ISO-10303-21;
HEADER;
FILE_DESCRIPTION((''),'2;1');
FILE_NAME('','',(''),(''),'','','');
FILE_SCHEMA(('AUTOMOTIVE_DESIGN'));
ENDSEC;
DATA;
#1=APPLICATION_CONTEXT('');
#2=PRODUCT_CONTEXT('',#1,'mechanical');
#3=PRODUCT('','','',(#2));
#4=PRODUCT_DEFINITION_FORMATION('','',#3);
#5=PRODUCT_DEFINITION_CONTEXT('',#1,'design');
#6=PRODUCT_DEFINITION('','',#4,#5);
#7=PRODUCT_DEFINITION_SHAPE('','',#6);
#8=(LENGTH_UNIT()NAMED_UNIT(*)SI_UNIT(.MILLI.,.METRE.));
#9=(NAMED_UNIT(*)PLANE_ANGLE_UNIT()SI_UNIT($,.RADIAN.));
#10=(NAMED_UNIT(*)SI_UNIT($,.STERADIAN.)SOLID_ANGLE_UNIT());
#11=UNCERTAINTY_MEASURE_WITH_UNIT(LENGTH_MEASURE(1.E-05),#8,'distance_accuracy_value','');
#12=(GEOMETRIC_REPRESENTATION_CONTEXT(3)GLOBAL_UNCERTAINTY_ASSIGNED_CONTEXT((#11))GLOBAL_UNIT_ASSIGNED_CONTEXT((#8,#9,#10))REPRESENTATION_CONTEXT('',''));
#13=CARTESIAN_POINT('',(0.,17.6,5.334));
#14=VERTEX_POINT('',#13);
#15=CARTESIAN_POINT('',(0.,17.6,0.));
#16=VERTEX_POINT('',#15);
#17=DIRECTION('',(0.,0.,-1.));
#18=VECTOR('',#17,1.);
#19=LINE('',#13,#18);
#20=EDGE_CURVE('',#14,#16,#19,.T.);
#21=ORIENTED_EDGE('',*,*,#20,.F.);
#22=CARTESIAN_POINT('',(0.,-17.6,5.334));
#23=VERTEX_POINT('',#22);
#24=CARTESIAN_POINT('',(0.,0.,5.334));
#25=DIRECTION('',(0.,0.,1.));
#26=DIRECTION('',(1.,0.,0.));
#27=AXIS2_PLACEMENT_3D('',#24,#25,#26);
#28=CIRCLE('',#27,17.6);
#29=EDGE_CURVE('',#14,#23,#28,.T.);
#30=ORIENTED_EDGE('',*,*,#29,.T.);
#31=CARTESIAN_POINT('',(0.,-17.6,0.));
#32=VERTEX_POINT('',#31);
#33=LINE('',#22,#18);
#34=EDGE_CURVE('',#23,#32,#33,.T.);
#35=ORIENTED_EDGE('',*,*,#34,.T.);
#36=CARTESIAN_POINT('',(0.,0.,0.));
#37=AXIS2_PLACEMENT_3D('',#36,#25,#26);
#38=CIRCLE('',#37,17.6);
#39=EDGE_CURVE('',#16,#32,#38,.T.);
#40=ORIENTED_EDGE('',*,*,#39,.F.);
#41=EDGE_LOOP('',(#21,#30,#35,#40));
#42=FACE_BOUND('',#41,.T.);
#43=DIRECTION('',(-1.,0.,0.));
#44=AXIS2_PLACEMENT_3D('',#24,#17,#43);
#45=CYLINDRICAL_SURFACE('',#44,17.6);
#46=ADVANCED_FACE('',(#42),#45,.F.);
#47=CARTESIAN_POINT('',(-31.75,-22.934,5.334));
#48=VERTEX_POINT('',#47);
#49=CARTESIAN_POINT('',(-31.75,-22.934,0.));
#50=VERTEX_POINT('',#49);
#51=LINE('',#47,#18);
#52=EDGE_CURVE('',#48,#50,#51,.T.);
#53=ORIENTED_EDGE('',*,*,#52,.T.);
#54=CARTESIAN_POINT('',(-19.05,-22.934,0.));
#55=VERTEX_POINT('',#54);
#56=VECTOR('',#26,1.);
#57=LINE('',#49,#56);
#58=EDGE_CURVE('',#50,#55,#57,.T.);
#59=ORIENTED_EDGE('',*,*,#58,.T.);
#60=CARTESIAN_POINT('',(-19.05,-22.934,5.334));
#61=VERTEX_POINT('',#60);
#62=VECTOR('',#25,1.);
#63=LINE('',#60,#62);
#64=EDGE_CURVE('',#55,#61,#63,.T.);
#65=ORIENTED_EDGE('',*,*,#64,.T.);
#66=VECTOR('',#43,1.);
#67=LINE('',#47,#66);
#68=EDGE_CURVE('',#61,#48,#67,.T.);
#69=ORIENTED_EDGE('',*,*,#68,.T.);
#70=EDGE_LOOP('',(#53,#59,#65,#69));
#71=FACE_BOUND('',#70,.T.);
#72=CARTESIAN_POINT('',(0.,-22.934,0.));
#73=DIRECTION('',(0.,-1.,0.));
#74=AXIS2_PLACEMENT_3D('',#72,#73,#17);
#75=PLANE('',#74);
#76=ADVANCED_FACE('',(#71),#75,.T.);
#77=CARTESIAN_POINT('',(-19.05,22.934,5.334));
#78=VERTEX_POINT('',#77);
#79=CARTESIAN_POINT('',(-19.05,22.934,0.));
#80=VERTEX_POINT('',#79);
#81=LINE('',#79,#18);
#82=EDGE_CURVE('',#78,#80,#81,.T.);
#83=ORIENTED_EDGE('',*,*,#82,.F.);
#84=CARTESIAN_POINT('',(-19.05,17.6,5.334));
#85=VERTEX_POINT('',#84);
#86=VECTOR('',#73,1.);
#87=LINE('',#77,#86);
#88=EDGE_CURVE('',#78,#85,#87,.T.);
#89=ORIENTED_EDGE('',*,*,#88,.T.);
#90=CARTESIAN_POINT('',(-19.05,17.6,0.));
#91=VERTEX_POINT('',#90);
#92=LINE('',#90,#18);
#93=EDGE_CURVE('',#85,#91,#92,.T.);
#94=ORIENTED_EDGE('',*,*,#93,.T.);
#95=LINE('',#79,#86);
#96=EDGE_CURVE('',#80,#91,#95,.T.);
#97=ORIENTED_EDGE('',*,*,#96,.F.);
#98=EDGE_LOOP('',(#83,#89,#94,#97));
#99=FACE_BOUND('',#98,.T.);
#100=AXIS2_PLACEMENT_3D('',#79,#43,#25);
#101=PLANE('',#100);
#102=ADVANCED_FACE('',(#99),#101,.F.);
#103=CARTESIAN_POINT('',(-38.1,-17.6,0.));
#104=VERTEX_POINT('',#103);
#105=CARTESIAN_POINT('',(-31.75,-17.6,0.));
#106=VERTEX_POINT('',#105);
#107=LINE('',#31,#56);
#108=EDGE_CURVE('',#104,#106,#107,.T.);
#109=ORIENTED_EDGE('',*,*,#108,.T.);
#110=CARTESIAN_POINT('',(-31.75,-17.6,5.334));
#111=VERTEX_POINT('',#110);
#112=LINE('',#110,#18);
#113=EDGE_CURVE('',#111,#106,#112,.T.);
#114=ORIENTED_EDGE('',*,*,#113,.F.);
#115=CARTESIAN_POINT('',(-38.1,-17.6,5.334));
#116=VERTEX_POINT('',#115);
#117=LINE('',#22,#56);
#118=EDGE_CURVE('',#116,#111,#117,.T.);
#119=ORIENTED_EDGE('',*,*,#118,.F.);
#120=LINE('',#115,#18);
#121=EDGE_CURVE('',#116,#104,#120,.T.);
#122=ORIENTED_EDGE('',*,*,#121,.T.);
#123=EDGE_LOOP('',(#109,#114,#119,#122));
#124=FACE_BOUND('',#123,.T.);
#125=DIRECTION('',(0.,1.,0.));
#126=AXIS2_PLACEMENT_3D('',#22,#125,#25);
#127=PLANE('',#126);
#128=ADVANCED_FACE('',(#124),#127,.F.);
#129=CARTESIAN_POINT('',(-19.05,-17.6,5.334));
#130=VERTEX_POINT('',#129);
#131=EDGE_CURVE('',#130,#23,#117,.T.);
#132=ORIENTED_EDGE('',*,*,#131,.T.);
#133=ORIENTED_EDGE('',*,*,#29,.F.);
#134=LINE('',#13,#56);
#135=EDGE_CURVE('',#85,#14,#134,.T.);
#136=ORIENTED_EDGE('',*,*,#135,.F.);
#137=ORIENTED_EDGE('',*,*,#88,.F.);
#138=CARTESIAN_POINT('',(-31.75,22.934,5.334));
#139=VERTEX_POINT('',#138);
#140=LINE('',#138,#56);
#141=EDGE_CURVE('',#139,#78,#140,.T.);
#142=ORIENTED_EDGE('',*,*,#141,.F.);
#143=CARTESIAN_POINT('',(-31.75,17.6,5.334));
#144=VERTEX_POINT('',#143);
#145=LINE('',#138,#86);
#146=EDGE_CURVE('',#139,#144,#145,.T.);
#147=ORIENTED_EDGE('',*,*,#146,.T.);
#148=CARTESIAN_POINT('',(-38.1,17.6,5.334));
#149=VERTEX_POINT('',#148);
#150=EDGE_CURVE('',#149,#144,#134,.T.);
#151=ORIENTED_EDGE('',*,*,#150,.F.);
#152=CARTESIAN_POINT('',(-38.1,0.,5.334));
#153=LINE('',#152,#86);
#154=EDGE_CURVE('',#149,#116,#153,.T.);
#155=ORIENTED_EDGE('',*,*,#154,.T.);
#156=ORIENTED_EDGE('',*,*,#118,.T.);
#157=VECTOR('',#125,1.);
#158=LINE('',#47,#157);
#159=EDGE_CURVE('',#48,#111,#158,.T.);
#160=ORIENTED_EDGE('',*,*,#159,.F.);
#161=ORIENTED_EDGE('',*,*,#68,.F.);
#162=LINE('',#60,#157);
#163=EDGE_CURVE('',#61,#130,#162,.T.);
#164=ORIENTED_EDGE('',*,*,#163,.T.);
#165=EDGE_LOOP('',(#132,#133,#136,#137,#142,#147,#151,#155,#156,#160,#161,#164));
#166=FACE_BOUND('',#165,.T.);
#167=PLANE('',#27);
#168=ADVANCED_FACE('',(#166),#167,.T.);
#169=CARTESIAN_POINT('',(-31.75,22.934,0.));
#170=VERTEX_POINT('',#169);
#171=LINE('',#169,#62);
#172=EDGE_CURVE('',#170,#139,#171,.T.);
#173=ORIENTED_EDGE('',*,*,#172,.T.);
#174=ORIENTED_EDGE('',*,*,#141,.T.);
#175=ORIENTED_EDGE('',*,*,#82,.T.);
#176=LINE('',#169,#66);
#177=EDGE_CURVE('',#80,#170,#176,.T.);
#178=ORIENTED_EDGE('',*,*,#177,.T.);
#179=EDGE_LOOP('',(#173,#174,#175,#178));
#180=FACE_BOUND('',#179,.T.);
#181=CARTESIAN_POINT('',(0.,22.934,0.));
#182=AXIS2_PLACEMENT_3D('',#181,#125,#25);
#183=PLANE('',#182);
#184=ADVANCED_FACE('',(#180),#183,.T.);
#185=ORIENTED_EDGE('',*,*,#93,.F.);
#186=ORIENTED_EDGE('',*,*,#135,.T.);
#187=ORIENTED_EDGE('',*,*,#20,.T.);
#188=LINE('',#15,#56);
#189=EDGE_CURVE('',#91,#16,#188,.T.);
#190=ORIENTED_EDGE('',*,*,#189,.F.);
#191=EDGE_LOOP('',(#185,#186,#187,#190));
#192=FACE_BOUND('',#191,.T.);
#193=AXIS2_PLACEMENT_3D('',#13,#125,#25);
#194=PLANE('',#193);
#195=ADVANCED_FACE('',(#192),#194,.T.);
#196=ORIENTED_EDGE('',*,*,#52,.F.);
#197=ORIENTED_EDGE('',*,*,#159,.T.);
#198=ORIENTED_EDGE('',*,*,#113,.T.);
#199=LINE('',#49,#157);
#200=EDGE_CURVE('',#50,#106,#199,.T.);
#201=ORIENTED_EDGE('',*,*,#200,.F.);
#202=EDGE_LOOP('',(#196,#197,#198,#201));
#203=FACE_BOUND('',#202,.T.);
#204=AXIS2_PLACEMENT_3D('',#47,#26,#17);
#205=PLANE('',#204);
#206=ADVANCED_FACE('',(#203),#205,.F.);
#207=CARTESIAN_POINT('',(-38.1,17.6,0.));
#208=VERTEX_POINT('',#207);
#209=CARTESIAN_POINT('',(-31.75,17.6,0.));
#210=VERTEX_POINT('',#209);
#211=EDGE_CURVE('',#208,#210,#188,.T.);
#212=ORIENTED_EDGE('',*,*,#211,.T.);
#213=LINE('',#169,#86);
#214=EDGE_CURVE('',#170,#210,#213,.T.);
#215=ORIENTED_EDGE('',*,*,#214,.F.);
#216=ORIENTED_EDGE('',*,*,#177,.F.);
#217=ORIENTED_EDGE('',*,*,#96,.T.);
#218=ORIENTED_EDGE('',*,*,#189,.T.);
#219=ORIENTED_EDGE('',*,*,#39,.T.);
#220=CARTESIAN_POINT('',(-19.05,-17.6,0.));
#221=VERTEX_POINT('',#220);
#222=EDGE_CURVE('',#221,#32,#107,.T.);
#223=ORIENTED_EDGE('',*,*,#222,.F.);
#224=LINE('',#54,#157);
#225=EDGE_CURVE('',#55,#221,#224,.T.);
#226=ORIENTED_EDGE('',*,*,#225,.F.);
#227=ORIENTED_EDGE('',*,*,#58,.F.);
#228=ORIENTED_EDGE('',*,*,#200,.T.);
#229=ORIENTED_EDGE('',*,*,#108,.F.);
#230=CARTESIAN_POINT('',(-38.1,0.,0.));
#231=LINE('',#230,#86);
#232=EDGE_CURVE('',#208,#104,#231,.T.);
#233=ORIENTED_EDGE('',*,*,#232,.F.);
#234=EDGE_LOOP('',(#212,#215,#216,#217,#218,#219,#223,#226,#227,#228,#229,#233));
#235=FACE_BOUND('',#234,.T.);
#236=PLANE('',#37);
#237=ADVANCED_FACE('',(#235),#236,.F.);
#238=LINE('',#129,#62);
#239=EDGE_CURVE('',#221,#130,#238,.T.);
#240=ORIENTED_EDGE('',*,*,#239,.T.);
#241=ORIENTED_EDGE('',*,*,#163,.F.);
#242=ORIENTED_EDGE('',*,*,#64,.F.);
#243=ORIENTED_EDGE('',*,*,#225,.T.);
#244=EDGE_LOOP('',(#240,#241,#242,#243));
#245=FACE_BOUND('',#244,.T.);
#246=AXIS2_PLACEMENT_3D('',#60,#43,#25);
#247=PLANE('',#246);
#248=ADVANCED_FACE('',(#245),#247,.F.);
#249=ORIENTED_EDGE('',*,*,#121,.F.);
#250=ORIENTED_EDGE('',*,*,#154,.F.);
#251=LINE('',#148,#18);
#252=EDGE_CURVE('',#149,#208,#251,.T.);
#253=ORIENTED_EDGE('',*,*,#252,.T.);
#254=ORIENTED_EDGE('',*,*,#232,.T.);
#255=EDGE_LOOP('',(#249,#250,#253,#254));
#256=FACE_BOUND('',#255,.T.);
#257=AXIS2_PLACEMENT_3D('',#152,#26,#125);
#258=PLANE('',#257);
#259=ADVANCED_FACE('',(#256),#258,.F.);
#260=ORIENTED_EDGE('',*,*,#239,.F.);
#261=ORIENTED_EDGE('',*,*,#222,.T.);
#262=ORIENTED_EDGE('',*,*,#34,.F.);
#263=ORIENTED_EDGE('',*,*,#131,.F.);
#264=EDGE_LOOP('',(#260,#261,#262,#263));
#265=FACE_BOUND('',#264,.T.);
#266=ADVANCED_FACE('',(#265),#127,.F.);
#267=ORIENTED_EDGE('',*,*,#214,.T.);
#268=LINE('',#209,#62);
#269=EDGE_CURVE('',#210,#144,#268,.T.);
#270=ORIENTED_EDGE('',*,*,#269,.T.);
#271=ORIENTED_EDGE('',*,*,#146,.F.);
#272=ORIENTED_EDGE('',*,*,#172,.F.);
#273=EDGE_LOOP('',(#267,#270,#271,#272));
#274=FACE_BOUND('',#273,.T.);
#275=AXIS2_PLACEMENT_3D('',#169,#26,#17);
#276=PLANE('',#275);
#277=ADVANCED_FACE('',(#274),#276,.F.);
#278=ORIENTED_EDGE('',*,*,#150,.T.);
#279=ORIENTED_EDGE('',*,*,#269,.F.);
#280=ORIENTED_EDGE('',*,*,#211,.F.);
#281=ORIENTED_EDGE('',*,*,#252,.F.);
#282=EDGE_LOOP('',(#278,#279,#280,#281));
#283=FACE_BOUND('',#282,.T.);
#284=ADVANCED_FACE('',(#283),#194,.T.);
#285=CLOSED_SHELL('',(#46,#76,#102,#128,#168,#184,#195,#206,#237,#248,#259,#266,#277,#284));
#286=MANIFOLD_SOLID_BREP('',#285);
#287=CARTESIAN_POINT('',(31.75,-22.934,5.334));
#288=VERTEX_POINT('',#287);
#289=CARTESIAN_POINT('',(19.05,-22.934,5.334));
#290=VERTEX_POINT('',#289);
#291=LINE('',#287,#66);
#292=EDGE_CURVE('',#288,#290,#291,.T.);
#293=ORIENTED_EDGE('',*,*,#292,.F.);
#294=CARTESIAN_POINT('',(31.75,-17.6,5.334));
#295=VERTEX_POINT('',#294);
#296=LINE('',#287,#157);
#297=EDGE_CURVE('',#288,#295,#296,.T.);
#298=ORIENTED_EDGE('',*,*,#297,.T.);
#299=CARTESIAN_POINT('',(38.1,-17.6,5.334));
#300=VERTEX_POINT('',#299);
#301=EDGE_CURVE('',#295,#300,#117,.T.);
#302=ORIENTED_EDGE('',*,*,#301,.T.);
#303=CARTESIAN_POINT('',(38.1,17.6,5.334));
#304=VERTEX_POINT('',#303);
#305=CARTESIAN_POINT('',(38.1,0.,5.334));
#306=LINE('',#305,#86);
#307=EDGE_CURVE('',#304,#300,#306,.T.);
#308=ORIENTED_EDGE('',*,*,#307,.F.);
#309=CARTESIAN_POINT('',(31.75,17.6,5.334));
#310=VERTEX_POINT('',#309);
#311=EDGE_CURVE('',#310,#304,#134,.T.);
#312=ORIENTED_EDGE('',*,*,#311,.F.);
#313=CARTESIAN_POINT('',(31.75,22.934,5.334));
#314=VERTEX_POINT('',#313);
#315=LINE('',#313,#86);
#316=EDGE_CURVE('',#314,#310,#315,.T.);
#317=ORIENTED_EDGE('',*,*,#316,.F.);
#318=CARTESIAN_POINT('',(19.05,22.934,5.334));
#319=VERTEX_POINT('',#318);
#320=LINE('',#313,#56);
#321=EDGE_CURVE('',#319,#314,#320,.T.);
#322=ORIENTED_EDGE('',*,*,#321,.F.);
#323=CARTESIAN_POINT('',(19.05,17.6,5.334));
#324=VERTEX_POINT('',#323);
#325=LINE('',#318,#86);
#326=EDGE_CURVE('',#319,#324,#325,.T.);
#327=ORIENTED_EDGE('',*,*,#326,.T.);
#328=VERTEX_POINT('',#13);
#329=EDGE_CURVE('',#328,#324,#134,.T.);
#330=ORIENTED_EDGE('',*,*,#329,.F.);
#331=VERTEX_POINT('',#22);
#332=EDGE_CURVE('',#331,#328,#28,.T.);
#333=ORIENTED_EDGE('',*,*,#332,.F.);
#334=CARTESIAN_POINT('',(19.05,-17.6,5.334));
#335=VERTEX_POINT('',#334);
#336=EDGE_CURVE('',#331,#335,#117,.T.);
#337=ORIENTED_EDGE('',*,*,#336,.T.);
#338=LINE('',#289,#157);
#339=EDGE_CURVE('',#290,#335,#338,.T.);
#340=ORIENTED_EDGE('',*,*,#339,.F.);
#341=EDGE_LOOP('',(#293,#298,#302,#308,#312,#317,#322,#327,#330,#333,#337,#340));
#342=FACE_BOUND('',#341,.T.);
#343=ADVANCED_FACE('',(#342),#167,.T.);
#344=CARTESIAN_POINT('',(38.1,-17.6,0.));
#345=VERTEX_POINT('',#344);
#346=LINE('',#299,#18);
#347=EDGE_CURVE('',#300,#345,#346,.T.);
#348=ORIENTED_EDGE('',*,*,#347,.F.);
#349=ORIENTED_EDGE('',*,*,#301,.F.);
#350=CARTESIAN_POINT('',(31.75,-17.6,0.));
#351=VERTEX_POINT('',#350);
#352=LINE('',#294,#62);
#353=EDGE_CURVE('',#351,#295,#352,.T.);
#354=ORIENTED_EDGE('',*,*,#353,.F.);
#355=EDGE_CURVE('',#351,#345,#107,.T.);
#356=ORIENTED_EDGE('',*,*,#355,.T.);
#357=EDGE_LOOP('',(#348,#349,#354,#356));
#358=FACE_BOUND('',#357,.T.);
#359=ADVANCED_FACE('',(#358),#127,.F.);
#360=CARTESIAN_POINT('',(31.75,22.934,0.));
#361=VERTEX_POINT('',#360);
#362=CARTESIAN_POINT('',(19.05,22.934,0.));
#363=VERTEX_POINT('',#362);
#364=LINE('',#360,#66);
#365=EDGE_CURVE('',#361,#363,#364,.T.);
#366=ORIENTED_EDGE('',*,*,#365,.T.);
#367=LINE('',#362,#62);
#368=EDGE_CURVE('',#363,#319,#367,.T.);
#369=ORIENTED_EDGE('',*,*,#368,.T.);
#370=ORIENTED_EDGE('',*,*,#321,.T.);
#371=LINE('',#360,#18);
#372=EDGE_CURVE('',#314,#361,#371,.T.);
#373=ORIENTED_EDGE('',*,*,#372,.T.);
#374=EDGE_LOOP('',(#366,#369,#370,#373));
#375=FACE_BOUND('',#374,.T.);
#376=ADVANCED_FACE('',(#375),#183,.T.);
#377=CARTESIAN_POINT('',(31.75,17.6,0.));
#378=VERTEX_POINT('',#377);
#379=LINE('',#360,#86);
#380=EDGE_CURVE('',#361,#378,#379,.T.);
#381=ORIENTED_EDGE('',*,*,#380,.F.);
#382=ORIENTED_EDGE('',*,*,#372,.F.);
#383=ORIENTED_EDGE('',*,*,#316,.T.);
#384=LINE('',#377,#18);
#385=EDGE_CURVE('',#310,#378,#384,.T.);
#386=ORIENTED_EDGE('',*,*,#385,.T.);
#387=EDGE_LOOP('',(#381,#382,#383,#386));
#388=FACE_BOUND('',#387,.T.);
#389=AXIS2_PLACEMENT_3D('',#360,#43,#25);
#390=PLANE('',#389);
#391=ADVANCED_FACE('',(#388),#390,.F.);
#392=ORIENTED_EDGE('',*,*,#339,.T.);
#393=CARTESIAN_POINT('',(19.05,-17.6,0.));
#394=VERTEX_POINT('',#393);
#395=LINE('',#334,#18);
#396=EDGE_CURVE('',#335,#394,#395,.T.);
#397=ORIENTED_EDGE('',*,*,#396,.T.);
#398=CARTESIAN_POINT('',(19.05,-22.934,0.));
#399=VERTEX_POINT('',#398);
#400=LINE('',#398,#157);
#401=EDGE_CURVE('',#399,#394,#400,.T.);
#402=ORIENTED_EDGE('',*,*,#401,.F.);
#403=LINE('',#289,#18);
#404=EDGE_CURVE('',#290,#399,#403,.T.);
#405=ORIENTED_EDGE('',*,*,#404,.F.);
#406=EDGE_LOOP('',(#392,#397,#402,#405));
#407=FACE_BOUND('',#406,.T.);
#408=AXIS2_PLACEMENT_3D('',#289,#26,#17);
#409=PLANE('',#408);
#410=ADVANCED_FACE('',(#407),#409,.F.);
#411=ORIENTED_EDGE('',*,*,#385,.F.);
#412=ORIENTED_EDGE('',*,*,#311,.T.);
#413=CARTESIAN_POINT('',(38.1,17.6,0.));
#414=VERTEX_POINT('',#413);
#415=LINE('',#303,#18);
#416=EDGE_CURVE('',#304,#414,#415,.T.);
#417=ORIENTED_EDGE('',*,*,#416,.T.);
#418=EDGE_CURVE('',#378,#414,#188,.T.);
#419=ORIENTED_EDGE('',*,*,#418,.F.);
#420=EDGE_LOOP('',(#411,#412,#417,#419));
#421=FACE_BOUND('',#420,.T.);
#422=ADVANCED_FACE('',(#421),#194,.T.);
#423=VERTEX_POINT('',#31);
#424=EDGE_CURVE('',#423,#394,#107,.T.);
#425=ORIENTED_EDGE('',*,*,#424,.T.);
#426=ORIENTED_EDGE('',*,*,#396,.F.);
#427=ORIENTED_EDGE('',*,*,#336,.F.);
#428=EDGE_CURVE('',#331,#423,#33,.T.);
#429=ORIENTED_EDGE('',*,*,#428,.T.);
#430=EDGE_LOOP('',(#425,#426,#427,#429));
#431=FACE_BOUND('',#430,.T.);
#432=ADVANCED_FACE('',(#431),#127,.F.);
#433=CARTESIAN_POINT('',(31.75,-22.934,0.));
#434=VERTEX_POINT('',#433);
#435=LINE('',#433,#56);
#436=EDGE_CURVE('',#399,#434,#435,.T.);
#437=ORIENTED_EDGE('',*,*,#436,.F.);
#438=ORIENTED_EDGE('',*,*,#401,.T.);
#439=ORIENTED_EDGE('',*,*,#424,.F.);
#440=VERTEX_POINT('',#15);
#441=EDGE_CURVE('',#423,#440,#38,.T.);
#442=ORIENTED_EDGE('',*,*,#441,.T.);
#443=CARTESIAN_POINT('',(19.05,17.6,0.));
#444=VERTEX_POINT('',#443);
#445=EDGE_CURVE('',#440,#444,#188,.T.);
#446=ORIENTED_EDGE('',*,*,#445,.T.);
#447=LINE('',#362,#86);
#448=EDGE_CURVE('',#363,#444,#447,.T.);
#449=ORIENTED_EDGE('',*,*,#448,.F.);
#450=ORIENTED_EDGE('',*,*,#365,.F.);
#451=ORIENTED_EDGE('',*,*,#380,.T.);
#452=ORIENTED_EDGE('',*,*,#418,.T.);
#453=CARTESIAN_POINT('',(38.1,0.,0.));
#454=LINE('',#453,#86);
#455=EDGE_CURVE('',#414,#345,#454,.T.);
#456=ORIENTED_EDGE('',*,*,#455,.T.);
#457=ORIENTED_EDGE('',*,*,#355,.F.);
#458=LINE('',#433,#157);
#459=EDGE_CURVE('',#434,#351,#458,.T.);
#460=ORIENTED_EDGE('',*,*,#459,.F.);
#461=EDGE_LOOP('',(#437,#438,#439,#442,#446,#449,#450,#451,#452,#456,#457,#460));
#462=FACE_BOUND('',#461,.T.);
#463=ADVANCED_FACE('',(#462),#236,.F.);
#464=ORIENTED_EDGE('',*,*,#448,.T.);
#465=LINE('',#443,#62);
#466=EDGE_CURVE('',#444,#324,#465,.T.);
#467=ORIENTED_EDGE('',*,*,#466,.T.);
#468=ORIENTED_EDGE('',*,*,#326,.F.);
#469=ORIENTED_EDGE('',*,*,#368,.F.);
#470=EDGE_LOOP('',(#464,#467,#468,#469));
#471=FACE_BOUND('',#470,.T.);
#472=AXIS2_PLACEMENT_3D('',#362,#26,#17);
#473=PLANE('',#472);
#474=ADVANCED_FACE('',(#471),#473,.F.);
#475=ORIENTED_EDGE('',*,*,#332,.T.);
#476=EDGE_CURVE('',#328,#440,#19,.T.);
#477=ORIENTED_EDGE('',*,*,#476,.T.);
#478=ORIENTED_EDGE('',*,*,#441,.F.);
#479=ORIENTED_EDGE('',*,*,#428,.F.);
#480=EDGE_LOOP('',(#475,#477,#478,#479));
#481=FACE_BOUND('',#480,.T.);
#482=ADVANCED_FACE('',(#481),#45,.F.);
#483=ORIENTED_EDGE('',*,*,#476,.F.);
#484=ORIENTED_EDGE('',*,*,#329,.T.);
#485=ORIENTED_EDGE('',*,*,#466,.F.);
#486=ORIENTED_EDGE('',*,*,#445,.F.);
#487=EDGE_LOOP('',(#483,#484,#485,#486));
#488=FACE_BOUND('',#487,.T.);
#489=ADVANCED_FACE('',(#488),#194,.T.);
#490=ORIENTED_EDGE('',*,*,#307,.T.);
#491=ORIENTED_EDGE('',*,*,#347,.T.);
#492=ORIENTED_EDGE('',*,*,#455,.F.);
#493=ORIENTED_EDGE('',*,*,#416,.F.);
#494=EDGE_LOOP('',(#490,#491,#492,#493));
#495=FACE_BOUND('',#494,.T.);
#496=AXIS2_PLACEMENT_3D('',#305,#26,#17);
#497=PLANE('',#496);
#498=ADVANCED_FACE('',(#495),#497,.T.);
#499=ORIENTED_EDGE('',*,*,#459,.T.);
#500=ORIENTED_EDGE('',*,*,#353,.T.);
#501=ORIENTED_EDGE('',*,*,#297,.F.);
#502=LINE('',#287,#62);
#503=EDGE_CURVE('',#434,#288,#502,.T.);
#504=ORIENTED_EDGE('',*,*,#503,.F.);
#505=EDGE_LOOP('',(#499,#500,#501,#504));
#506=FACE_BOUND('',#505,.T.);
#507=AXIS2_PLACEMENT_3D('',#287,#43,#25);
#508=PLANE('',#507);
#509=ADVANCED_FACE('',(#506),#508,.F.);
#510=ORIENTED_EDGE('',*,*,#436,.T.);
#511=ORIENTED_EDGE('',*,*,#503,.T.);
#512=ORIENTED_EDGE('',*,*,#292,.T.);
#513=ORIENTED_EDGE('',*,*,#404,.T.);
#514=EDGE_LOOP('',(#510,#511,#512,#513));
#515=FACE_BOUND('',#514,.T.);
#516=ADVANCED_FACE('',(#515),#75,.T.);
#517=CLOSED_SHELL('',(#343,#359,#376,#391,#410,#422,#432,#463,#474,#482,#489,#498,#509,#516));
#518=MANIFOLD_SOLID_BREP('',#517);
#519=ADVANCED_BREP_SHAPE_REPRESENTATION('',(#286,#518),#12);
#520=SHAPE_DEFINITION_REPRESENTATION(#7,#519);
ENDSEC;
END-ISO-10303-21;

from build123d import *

# Parameters (mm, degrees)
BOSS_EXTRUDE1_DEPTH   = 5.334
BOSS_EXTRUDE1_2_DEPTH = 5.334
SKETCH3_W             = 12.7
SKETCH3_H             = 5.334
BOSS_EXTRUDE2_DEPTH   = 5.334
SKETCH4_W             = 12.7
SKETCH4_H             = 5.334
BOSS_EXTRUDE3_DEPTH   = 5.334


with BuildPart() as part:
    # Sketch1 → Boss-Extrude1 (new body)
    with BuildSketch(Plane.XY):
        with BuildLine():
            Line((-3.2e-08, 17.6), (-38.1, 17.6))
            Line((-38.1, 17.6), (-38.1, -17.6))
            Line((-38.1, -17.6), (0, -17.6))
            ThreePointArc((0, -17.6), (-17.6, -1.6e-08), (-3.2e-08, 17.6))
        make_face()
    extrude(amount=BOSS_EXTRUDE1_DEPTH)



with BuildPart() as body_2:
    # Sketch1 → Boss-Extrude1 2 (new body)
    with BuildSketch(Plane.XY):
        with BuildLine():
            Line((38.1, 17.6), (-3.2e-08, 17.6))
            ThreePointArc((-3.2e-08, 17.6), (17.6, 1.6e-08), (0, -17.6))
            Line((0, -17.6), (38.1, -17.6))
            Line((38.1, -17.6), (38.1, 17.6))
        make_face()
    extrude(amount=BOSS_EXTRUDE1_2_DEPTH)


with BuildPart() as part_1:
    add(part.part)

    add(body_2.part)  # Boss-Extrude2 merges body 2
    # Sketch3 → Boss-Extrude2 (add)
    with BuildSketch(Plane(origin=(0, 17.6, 0), x_dir=(1, 0, 0), z_dir=(0, 1, 0))):
        with Locations((-25.4, -2.667)):
            Rectangle(SKETCH3_W, SKETCH3_H)
        with Locations((25.4, -2.667)):
            Rectangle(SKETCH3_W, SKETCH3_H)
    extrude(amount=BOSS_EXTRUDE2_DEPTH)

    # Sketch4 → Boss-Extrude3 (add)
    with BuildSketch(Plane.XZ.offset(17.6)):
        with Locations((-25.4, 2.667)):
            Rectangle(SKETCH4_W, SKETCH4_H)
        with Locations((25.4, 2.667)):
            Rectangle(SKETCH4_W, SKETCH4_H)
    extrude(amount=BOSS_EXTRUDE3_DEPTH)


solid = part_1.part
